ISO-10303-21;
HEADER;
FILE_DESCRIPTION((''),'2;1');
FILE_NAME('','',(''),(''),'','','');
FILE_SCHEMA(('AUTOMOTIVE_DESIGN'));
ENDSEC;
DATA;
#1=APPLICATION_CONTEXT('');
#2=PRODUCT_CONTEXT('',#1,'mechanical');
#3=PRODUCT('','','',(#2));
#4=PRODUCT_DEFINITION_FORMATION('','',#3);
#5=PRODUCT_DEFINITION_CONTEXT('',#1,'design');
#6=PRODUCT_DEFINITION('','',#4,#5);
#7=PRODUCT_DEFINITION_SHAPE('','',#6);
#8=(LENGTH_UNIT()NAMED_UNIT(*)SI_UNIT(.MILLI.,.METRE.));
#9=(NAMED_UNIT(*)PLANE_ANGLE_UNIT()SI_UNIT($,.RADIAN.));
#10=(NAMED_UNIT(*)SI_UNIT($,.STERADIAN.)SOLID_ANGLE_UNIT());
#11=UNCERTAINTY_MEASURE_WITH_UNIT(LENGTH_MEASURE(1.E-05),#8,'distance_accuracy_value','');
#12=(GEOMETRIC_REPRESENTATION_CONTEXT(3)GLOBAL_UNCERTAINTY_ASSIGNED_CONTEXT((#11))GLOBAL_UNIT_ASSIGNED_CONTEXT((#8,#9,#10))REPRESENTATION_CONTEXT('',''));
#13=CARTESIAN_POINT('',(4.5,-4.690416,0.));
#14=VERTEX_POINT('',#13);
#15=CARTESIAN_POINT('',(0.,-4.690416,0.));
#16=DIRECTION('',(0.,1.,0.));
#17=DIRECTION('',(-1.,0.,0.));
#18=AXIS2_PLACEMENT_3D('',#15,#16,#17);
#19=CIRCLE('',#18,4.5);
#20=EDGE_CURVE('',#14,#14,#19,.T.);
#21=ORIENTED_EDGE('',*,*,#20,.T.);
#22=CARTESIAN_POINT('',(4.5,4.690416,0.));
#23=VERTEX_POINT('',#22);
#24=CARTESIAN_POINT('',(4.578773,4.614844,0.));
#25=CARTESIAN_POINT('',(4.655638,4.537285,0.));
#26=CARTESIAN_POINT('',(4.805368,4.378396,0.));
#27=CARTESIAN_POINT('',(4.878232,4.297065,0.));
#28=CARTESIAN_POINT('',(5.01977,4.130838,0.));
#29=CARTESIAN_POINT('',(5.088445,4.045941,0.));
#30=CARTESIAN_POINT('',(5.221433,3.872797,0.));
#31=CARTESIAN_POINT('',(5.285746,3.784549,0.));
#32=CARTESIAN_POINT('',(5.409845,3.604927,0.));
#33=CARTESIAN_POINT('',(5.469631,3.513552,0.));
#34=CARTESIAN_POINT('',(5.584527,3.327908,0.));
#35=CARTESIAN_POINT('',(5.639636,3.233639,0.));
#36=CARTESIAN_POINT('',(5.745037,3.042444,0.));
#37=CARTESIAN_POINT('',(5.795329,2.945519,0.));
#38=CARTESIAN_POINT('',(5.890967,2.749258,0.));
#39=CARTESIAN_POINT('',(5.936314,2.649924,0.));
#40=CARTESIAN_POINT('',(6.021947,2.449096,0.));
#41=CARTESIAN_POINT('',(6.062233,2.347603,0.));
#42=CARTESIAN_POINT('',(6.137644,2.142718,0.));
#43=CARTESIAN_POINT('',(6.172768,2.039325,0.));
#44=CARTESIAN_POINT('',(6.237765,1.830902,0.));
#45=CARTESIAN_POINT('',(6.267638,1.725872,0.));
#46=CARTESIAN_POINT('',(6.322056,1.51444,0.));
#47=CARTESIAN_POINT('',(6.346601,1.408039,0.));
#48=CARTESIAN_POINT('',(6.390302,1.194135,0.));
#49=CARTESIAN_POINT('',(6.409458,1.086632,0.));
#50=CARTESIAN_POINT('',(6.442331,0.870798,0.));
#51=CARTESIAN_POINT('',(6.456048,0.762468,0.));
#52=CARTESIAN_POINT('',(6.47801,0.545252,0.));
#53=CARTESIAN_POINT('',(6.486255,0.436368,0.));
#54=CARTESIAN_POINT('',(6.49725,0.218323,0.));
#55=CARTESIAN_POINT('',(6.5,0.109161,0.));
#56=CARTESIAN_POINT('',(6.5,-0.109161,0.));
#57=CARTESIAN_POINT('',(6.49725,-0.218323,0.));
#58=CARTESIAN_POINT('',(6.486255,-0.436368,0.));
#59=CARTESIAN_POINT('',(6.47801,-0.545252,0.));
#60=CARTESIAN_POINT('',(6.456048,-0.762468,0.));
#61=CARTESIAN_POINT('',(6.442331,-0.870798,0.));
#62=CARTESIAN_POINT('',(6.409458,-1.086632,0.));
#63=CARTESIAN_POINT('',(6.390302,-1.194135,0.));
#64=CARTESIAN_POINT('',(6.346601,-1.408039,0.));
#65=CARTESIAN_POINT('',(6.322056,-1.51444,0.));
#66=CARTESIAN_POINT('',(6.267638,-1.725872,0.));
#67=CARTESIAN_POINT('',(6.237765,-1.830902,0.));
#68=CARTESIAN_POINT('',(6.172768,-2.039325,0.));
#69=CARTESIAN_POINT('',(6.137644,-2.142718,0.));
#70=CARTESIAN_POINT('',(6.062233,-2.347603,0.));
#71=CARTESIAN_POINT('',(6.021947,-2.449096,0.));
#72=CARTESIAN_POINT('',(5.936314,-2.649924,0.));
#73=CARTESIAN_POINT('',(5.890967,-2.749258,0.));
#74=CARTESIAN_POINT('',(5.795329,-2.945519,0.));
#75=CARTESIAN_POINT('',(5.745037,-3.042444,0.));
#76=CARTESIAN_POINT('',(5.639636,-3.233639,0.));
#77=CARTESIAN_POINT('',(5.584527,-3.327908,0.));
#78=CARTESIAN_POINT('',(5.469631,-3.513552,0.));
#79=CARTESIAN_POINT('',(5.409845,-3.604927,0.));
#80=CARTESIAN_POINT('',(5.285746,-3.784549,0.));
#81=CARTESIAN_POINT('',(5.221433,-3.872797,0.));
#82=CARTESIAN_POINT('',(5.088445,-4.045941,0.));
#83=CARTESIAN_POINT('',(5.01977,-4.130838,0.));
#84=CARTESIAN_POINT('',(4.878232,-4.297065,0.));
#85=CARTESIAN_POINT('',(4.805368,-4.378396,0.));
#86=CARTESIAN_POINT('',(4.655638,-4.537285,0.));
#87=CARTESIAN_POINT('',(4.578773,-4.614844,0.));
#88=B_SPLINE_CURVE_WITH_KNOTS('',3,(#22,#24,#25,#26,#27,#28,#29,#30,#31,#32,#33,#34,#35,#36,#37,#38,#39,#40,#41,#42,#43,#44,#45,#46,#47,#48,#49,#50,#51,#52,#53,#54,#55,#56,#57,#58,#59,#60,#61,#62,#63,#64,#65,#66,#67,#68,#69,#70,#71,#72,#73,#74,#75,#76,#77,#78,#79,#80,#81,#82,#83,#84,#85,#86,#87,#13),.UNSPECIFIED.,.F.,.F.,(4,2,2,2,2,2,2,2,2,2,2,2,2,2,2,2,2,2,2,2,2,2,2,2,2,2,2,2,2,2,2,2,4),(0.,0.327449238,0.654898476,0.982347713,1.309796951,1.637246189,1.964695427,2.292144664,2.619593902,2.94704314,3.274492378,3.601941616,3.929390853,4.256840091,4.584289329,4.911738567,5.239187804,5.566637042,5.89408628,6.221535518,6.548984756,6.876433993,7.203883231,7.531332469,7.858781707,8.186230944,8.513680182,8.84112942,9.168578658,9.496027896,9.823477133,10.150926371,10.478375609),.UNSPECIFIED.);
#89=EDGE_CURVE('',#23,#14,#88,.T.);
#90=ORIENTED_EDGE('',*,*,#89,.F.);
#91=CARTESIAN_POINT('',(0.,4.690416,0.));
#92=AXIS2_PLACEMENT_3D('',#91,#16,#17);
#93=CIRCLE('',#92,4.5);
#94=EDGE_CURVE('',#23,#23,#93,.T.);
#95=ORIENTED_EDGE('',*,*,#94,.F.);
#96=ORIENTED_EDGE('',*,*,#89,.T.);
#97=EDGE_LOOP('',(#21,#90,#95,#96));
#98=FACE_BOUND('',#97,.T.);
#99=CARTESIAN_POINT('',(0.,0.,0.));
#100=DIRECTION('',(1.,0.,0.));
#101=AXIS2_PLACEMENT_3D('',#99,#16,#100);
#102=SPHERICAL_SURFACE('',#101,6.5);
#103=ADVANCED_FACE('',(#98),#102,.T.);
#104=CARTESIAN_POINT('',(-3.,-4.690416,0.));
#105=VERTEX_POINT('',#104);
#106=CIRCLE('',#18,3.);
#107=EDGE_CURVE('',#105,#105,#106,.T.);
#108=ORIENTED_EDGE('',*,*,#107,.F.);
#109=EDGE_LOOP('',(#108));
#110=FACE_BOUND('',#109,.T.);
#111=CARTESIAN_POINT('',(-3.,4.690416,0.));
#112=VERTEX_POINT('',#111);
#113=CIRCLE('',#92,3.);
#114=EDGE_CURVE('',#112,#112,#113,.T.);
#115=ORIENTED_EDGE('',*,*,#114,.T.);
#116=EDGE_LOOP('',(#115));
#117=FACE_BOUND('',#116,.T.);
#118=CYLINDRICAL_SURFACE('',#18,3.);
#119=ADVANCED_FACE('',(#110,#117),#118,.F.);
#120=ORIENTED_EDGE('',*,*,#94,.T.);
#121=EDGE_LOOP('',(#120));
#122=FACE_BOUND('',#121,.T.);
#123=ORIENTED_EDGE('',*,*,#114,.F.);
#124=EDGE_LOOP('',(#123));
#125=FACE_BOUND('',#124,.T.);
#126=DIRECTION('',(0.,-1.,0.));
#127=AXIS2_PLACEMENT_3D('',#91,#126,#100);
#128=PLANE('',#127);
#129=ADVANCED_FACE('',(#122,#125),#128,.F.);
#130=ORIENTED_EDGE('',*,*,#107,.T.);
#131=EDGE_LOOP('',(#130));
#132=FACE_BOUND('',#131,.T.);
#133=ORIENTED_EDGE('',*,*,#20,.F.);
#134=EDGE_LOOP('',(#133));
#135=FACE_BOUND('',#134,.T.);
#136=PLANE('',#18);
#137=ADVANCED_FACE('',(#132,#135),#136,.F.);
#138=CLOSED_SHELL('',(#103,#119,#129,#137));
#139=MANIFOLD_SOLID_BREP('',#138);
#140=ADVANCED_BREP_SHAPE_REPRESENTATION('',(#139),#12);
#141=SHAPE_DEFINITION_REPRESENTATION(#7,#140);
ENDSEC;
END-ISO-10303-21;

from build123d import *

# Parameters (mm, degrees)
SKETCH_2_R          = 3
CUT_EXTRUDE_1_DEPTH = 14.133925537


with BuildPart() as part:
    # 草图1 → 旋转2 (revolve)
    with BuildSketch(Plane.XY):
        with BuildLine():
            Line((0, 4.69041576), (4.5, 4.69041576))
            ThreePointArc((4.5, 4.69041576), (6.5, 0), (4.5, -4.69041576))
            Line((4.5, -4.69041576), (0, -4.69041576))
            Line((0, -4.69041576), (0, 4.69041576))
        make_face()
    revolve(axis=Axis((0, 4.69041576, 0), (0, -1, 0)))

    # 草图2 → 切除-拉伸1 (cut, through all)
    with BuildSketch(Plane(origin=(0, 4.69041576, 0), x_dir=(1, 0, 0), z_dir=(0, 1, 0))):
        with Locations(Location((0, 0, 0), (0, 0, 180))):
            Circle(SKETCH_2_R)
    extrude(amount=-CUT_EXTRUDE_1_DEPTH, mode=Mode.SUBTRACT)


solid = part.part
